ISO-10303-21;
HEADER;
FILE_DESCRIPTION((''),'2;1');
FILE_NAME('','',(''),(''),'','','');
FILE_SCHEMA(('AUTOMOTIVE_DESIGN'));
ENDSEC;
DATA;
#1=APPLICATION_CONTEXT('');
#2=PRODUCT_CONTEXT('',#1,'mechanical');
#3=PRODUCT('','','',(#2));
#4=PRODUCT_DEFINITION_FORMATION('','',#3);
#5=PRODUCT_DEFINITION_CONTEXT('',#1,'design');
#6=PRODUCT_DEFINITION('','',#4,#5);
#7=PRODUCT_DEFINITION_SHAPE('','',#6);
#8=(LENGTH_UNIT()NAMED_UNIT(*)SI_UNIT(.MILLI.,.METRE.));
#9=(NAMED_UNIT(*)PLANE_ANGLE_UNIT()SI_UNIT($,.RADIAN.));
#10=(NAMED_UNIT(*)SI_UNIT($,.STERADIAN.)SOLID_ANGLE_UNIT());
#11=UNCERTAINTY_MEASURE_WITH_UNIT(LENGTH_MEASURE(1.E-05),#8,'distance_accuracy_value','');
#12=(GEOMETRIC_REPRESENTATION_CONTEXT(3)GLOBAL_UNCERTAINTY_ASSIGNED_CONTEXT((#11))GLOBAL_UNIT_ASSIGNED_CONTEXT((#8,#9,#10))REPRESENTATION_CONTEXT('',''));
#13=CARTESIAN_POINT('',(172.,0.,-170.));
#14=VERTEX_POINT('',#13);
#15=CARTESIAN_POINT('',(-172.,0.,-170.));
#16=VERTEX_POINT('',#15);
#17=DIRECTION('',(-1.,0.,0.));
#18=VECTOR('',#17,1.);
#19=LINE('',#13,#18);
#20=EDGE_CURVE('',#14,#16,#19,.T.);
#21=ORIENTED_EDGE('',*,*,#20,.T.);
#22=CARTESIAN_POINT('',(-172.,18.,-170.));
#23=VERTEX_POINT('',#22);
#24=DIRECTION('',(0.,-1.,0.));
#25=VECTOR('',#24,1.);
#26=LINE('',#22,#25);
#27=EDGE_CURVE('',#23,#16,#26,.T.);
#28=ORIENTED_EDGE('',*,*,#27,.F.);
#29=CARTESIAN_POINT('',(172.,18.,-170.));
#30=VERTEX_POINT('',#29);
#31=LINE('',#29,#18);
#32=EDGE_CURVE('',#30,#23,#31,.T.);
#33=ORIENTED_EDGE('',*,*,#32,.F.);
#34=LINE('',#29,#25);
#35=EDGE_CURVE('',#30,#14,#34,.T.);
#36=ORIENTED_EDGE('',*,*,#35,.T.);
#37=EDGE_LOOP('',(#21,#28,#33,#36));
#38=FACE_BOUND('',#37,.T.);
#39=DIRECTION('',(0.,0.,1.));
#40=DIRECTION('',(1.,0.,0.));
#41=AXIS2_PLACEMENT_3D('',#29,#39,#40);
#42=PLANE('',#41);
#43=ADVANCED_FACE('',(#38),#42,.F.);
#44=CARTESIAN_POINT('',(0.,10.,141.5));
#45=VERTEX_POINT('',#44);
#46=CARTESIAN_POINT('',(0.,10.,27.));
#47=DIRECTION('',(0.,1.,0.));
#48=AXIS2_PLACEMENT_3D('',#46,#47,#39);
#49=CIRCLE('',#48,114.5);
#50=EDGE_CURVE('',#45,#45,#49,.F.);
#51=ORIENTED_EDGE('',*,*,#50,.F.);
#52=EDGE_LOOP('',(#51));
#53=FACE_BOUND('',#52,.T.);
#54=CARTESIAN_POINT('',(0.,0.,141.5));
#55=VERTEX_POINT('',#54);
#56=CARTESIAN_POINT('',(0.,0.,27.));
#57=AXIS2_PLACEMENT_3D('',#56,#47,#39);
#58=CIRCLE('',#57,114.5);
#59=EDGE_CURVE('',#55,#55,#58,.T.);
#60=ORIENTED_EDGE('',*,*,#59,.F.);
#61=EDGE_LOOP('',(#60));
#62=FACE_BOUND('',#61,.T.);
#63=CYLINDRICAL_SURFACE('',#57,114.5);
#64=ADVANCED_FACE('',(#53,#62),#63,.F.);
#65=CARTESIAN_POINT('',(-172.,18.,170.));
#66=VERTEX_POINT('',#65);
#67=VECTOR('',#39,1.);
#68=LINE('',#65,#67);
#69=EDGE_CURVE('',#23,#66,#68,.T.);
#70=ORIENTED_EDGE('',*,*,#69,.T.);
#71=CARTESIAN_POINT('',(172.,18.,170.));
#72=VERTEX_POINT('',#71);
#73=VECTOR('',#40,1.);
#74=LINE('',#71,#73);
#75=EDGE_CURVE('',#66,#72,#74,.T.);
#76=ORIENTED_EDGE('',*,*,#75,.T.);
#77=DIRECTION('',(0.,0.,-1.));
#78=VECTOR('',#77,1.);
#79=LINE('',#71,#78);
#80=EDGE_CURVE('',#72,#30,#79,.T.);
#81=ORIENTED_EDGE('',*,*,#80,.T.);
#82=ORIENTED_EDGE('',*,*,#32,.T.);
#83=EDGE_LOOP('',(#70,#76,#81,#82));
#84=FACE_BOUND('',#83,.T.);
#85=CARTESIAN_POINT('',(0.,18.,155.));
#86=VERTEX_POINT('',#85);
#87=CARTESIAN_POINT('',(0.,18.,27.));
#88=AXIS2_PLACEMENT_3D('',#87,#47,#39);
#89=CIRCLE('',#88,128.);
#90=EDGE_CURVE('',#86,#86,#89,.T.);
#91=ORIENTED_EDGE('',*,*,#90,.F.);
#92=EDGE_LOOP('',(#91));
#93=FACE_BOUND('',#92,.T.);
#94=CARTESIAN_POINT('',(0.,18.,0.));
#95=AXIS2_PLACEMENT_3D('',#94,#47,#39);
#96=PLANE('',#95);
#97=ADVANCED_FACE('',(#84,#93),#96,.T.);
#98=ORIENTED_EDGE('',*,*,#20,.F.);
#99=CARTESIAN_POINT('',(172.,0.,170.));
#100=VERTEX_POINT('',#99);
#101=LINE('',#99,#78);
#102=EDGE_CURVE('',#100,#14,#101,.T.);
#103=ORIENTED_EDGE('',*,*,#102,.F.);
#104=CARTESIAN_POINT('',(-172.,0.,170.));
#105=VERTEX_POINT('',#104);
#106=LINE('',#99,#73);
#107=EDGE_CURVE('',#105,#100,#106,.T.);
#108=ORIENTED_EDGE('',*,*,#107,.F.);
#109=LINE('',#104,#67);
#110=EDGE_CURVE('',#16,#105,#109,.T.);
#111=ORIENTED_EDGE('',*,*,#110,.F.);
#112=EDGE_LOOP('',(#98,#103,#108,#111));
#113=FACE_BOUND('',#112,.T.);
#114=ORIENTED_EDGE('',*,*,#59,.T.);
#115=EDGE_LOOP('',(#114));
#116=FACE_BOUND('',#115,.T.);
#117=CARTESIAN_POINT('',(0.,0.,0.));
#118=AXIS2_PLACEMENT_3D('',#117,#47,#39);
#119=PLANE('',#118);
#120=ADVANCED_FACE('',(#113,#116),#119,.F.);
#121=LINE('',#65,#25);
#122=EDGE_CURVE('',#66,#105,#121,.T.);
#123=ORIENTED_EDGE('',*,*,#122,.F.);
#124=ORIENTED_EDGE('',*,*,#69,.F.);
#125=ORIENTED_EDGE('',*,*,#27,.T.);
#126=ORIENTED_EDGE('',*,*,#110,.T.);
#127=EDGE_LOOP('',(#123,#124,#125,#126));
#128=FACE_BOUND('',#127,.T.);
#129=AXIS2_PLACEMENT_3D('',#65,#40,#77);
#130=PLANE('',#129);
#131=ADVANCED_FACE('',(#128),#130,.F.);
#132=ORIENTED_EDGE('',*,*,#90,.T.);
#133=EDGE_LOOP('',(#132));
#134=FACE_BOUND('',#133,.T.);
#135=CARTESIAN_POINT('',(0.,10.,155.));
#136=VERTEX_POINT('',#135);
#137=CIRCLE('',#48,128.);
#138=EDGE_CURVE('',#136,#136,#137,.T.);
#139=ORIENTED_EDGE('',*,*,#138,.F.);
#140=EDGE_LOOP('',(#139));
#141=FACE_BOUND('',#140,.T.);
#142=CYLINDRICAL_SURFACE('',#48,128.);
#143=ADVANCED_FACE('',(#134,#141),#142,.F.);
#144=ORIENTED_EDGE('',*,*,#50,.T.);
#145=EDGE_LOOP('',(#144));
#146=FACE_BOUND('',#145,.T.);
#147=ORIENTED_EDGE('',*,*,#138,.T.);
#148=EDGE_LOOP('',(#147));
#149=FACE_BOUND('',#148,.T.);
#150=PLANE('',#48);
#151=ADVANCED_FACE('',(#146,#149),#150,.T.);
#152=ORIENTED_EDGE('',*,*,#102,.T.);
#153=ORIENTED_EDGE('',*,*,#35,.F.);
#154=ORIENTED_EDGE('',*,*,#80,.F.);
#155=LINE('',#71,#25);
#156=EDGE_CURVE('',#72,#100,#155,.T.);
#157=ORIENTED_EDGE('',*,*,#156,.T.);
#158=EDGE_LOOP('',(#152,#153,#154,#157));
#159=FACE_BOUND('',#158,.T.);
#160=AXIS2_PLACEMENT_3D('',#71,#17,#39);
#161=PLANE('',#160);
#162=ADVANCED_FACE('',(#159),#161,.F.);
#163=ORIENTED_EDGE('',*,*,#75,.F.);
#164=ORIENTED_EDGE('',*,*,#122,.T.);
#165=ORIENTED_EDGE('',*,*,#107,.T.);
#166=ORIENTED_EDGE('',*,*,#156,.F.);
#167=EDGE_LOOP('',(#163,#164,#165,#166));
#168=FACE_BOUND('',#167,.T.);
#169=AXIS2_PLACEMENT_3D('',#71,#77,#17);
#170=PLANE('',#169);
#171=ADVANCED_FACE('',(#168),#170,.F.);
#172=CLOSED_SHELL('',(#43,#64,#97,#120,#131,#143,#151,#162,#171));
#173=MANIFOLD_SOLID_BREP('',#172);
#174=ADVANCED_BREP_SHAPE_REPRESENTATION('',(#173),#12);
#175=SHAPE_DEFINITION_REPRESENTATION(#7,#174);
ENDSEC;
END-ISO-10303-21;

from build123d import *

# Parameters (mm, degrees)
SKETCH_1_W               = 344
SKETCH_1_H               = 340
EXTRUDE_1_DEPTH          = 18
SKETCH_2_R               = 114.5
CUT_EXTRUDE_1_DEPTH      = 1
CUT_EXTRUDE_1_DEPTH_BACK = 19
SKETCH_3_R               = 128
CUT_EXTRUDE_2_DEPTH      = 8


with BuildPart() as part:
    # Эскиз1 → Бобышка-Вытянуть1 (new body)
    with BuildSketch(Plane(origin=(0, 0, 0), x_dir=(1, 0, 0), z_dir=(0, 1, 0))):
        Rectangle(SKETCH_1_W, SKETCH_1_H)
    extrude(amount=EXTRUDE_1_DEPTH)

    # Эскиз2 → Вырез-Вытянуть1 (cut, two sides)
    with BuildSketch(Plane(origin=(0, 18, 0), x_dir=(1, 0, 0), z_dir=(0, 1, 0))) as cut_extrude_1_sk:
        with Locations((0, -27)):
            Circle(SKETCH_2_R)
    extrude(amount=CUT_EXTRUDE_1_DEPTH, mode=Mode.SUBTRACT)
    extrude(cut_extrude_1_sk.sketch, amount=-CUT_EXTRUDE_1_DEPTH_BACK, mode=Mode.SUBTRACT)

    # Эскиз3 → Вырез-Вытянуть2 (cut)
    with BuildSketch(Plane(origin=(0, 18, 0), x_dir=(1, 0, 0), z_dir=(0, 1, 0))):
        with Locations((0, -27)):
            Circle(SKETCH_3_R)
    extrude(amount=-CUT_EXTRUDE_2_DEPTH, mode=Mode.SUBTRACT)


solid = part.part
